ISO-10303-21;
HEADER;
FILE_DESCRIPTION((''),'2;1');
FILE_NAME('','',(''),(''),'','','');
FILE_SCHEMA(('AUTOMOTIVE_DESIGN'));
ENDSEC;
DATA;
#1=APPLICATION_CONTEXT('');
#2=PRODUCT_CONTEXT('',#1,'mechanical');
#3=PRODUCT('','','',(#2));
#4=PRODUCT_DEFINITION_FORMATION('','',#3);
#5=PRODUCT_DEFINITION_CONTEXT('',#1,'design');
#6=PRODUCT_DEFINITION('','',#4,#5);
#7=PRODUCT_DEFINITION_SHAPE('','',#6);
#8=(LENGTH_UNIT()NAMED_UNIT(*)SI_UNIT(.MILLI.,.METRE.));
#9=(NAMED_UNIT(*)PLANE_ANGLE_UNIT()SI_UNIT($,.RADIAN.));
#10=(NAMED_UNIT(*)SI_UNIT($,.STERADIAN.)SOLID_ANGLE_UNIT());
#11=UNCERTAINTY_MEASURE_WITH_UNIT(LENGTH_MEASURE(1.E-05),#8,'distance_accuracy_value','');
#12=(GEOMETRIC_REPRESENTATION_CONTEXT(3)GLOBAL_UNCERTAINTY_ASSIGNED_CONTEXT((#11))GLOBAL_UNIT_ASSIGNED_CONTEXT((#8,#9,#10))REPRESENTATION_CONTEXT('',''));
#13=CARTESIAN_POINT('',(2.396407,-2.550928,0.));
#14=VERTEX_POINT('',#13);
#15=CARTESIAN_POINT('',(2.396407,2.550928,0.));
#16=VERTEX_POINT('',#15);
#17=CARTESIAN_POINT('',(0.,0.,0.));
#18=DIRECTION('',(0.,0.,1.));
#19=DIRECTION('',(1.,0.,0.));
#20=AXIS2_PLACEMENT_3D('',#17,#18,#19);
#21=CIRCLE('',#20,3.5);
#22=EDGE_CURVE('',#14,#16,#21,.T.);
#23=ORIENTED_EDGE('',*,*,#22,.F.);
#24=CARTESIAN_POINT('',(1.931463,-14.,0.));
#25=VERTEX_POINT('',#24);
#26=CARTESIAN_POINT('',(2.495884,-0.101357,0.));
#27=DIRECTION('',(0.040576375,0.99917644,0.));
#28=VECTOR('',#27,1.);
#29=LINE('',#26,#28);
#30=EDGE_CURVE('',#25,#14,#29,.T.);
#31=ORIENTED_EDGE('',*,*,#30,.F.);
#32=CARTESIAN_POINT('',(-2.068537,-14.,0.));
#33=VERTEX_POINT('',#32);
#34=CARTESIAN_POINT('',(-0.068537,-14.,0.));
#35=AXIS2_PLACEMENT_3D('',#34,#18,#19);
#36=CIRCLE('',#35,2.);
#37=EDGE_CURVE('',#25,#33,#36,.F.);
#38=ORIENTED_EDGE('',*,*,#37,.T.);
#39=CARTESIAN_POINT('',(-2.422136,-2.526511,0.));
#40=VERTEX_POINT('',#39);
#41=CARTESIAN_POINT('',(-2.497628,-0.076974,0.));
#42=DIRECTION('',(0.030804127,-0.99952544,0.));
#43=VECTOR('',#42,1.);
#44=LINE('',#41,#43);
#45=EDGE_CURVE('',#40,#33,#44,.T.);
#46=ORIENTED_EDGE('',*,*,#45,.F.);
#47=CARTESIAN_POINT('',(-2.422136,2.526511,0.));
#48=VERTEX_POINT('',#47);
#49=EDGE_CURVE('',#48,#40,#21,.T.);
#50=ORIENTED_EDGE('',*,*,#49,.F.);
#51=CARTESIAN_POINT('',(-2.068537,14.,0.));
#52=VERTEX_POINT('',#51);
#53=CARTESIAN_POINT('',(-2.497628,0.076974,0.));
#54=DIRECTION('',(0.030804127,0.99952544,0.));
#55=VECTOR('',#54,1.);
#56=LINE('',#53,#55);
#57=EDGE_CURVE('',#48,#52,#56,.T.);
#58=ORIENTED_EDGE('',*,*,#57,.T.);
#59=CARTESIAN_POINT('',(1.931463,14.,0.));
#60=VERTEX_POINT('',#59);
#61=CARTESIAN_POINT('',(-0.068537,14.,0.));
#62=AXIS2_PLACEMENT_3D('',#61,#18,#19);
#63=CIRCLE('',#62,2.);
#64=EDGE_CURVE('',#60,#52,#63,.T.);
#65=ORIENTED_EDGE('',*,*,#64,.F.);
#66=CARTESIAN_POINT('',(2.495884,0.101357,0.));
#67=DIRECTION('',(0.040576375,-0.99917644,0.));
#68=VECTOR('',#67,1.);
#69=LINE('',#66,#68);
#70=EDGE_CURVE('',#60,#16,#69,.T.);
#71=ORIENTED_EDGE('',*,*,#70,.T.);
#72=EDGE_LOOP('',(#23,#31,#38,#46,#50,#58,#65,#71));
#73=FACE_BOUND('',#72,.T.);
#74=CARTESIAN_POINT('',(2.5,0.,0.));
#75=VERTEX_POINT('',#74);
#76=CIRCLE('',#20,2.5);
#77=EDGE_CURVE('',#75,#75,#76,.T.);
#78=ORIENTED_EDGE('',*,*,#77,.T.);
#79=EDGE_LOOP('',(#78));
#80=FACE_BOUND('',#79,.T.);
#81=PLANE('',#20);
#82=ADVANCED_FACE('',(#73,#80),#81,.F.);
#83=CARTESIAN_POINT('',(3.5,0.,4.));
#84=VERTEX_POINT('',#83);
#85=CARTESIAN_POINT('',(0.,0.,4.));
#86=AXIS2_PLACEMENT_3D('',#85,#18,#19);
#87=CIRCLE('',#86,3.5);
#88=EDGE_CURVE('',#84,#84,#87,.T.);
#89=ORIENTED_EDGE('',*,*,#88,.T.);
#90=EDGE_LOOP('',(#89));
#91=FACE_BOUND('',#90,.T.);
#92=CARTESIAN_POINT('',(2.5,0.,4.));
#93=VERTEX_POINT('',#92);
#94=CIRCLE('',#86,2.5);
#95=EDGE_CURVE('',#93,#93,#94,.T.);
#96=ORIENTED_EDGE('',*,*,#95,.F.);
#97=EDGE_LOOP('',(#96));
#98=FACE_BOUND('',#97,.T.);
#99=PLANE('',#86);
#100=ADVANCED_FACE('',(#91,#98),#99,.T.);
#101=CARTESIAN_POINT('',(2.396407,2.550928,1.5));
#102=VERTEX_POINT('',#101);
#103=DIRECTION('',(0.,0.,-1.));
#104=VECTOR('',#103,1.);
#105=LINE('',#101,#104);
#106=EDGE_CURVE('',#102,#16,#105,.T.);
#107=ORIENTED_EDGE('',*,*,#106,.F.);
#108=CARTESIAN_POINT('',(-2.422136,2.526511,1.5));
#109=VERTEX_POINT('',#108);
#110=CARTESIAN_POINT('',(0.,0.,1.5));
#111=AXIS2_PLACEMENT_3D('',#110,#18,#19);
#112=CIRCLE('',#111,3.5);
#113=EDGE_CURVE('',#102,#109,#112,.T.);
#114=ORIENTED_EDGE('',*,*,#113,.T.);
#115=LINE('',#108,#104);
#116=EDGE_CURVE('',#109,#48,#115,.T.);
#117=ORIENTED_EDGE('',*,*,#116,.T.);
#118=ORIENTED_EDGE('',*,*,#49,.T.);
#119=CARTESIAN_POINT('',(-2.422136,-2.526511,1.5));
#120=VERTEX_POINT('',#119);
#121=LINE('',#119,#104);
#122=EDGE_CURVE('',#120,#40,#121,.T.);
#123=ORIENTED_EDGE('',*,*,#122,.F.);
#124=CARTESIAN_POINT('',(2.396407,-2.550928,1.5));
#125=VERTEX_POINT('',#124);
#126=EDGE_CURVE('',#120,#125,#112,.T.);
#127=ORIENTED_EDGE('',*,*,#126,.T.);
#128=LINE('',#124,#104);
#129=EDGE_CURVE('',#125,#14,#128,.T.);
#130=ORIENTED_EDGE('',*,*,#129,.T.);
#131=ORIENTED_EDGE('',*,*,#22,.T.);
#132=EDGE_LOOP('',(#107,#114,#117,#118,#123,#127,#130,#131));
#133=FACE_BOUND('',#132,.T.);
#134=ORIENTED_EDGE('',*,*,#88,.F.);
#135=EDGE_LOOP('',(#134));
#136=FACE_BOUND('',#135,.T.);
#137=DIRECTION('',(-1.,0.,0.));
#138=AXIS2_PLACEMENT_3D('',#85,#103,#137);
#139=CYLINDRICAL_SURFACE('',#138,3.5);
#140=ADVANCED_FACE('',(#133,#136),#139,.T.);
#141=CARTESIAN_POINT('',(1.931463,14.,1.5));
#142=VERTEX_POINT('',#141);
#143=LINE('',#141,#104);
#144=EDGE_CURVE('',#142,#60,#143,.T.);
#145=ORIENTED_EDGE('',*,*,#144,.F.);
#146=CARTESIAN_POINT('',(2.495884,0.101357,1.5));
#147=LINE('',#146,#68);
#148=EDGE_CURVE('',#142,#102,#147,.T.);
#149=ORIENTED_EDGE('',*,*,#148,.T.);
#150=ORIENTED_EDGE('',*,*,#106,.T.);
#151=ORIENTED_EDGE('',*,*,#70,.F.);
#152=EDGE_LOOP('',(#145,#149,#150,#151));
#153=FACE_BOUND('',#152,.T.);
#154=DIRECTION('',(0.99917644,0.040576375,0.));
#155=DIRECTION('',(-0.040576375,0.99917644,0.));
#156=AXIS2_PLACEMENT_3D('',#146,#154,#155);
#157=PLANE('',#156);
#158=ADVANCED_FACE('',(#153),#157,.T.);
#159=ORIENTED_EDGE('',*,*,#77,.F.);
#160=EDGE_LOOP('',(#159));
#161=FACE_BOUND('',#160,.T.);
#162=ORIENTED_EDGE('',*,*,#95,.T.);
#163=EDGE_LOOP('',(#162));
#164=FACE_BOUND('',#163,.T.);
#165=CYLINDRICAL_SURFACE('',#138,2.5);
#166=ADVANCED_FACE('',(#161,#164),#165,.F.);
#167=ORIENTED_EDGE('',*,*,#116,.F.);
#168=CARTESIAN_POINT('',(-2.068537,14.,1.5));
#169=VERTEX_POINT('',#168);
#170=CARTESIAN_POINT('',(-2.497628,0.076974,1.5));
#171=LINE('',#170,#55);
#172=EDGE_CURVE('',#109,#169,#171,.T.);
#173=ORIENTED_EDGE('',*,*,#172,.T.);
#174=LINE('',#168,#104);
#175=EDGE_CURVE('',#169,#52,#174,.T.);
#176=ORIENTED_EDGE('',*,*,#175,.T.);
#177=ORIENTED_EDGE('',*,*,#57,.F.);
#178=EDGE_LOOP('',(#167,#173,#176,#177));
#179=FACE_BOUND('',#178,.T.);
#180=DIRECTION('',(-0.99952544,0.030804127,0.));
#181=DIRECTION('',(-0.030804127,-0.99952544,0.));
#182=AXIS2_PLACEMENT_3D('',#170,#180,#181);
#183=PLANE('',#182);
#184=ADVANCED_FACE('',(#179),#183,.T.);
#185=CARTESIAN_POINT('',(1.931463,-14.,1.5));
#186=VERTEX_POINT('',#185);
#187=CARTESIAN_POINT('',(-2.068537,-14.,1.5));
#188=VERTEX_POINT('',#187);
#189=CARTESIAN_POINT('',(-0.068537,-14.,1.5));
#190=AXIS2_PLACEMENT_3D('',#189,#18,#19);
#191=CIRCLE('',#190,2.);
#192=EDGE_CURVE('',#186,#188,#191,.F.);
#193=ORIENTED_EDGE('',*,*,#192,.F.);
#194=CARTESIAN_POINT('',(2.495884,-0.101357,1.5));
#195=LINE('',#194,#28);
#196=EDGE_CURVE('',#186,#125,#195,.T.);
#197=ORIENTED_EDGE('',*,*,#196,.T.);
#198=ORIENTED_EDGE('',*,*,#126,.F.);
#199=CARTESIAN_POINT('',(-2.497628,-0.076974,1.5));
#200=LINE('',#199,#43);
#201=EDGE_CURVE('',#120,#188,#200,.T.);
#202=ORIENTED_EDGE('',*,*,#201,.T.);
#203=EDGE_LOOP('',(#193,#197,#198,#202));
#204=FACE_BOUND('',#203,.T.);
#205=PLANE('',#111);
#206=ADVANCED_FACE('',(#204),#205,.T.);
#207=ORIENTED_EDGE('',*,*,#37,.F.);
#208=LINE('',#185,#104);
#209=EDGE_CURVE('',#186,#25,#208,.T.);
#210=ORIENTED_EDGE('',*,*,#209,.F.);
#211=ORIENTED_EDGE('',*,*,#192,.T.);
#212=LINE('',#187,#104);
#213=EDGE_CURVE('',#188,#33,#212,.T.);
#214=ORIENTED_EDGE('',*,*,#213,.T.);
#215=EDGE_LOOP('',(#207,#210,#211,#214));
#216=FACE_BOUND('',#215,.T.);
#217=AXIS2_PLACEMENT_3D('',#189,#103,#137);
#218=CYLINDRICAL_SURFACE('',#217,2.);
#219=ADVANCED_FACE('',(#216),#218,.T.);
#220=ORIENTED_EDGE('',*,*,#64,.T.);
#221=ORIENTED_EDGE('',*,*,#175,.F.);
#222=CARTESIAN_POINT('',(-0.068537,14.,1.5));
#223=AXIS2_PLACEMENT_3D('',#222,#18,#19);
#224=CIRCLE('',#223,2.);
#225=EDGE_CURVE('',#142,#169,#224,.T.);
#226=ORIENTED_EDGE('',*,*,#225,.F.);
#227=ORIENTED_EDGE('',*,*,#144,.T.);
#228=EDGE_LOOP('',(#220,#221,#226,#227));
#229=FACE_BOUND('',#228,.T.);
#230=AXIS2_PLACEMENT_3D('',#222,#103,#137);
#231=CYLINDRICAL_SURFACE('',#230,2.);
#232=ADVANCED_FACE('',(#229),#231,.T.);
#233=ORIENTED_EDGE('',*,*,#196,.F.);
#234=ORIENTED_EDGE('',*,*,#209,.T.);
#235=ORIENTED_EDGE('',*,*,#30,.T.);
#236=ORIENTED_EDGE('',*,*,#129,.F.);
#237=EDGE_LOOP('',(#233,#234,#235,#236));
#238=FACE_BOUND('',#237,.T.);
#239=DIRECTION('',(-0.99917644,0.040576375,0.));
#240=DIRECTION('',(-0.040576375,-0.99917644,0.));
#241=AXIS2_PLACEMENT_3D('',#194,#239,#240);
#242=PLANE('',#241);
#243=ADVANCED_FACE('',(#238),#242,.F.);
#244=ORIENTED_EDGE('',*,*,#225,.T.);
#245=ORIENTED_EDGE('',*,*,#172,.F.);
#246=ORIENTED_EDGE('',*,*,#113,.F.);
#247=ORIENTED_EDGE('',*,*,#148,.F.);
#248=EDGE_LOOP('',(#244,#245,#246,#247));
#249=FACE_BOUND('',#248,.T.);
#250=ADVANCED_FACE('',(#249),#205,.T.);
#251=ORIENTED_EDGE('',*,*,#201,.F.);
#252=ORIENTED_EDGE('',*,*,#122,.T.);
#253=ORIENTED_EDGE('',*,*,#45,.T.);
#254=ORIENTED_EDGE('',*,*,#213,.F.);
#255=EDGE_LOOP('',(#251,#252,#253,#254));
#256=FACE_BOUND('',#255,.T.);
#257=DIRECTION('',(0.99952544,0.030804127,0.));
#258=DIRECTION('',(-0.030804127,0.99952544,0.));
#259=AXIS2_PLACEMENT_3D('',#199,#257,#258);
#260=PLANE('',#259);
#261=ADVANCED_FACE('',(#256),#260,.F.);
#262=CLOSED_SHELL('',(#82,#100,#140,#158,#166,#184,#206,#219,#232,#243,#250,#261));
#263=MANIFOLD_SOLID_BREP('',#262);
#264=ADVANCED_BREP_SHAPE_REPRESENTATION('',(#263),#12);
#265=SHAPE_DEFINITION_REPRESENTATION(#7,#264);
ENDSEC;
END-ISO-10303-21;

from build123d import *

# Parameters (mm, degrees)
ESQUISSE1_R        = 3.5
ESQUISSE1_R_2      = 2.5
BOSS_EXTRU_1_DEPTH = 4
BOSS_EXTRU_2_DEPTH = 1.5


with BuildPart() as part:
    # Esquisse1 → Boss.-Extru.1 (new body)
    with BuildSketch(Plane.XY):
        Circle(ESQUISSE1_R)
        Circle(ESQUISSE1_R_2, mode=Mode.SUBTRACT)
    extrude(amount=BOSS_EXTRU_1_DEPTH)

    # Esquisse1<3> → Boss.-Extru.2 (add)
    with BuildSketch(Plane.XY):
        with BuildLine():
            Line((-2.068537469, 14), (-2.42213609, 2.526510788))
            ThreePointArc((-2.42213609, 2.526510788), (-0.017735252, 3.499955066), (2.396407287, 2.550927696))
            Line((2.396407287, 2.550927696), (1.931462531, 14))
            ThreePointArc((1.931462531, 14), (-0.068537469, 16), (-2.068537469, 14))
        make_face()
        with BuildLine():
            ThreePointArc((2.396407287, -2.550927696), (-0.017735252, -3.499955066), (-2.42213609, -2.526510788))
            Line((-2.42213609, -2.526510788), (-2.068537469, -14))
            ThreePointArc((-2.068537469, -14), (-0.068537469, -16), (1.931462531, -14))
            Line((1.931462531, -14), (2.396407287, -2.550927696))
        make_face()
    extrude(amount=BOSS_EXTRU_2_DEPTH)


solid = part.part
